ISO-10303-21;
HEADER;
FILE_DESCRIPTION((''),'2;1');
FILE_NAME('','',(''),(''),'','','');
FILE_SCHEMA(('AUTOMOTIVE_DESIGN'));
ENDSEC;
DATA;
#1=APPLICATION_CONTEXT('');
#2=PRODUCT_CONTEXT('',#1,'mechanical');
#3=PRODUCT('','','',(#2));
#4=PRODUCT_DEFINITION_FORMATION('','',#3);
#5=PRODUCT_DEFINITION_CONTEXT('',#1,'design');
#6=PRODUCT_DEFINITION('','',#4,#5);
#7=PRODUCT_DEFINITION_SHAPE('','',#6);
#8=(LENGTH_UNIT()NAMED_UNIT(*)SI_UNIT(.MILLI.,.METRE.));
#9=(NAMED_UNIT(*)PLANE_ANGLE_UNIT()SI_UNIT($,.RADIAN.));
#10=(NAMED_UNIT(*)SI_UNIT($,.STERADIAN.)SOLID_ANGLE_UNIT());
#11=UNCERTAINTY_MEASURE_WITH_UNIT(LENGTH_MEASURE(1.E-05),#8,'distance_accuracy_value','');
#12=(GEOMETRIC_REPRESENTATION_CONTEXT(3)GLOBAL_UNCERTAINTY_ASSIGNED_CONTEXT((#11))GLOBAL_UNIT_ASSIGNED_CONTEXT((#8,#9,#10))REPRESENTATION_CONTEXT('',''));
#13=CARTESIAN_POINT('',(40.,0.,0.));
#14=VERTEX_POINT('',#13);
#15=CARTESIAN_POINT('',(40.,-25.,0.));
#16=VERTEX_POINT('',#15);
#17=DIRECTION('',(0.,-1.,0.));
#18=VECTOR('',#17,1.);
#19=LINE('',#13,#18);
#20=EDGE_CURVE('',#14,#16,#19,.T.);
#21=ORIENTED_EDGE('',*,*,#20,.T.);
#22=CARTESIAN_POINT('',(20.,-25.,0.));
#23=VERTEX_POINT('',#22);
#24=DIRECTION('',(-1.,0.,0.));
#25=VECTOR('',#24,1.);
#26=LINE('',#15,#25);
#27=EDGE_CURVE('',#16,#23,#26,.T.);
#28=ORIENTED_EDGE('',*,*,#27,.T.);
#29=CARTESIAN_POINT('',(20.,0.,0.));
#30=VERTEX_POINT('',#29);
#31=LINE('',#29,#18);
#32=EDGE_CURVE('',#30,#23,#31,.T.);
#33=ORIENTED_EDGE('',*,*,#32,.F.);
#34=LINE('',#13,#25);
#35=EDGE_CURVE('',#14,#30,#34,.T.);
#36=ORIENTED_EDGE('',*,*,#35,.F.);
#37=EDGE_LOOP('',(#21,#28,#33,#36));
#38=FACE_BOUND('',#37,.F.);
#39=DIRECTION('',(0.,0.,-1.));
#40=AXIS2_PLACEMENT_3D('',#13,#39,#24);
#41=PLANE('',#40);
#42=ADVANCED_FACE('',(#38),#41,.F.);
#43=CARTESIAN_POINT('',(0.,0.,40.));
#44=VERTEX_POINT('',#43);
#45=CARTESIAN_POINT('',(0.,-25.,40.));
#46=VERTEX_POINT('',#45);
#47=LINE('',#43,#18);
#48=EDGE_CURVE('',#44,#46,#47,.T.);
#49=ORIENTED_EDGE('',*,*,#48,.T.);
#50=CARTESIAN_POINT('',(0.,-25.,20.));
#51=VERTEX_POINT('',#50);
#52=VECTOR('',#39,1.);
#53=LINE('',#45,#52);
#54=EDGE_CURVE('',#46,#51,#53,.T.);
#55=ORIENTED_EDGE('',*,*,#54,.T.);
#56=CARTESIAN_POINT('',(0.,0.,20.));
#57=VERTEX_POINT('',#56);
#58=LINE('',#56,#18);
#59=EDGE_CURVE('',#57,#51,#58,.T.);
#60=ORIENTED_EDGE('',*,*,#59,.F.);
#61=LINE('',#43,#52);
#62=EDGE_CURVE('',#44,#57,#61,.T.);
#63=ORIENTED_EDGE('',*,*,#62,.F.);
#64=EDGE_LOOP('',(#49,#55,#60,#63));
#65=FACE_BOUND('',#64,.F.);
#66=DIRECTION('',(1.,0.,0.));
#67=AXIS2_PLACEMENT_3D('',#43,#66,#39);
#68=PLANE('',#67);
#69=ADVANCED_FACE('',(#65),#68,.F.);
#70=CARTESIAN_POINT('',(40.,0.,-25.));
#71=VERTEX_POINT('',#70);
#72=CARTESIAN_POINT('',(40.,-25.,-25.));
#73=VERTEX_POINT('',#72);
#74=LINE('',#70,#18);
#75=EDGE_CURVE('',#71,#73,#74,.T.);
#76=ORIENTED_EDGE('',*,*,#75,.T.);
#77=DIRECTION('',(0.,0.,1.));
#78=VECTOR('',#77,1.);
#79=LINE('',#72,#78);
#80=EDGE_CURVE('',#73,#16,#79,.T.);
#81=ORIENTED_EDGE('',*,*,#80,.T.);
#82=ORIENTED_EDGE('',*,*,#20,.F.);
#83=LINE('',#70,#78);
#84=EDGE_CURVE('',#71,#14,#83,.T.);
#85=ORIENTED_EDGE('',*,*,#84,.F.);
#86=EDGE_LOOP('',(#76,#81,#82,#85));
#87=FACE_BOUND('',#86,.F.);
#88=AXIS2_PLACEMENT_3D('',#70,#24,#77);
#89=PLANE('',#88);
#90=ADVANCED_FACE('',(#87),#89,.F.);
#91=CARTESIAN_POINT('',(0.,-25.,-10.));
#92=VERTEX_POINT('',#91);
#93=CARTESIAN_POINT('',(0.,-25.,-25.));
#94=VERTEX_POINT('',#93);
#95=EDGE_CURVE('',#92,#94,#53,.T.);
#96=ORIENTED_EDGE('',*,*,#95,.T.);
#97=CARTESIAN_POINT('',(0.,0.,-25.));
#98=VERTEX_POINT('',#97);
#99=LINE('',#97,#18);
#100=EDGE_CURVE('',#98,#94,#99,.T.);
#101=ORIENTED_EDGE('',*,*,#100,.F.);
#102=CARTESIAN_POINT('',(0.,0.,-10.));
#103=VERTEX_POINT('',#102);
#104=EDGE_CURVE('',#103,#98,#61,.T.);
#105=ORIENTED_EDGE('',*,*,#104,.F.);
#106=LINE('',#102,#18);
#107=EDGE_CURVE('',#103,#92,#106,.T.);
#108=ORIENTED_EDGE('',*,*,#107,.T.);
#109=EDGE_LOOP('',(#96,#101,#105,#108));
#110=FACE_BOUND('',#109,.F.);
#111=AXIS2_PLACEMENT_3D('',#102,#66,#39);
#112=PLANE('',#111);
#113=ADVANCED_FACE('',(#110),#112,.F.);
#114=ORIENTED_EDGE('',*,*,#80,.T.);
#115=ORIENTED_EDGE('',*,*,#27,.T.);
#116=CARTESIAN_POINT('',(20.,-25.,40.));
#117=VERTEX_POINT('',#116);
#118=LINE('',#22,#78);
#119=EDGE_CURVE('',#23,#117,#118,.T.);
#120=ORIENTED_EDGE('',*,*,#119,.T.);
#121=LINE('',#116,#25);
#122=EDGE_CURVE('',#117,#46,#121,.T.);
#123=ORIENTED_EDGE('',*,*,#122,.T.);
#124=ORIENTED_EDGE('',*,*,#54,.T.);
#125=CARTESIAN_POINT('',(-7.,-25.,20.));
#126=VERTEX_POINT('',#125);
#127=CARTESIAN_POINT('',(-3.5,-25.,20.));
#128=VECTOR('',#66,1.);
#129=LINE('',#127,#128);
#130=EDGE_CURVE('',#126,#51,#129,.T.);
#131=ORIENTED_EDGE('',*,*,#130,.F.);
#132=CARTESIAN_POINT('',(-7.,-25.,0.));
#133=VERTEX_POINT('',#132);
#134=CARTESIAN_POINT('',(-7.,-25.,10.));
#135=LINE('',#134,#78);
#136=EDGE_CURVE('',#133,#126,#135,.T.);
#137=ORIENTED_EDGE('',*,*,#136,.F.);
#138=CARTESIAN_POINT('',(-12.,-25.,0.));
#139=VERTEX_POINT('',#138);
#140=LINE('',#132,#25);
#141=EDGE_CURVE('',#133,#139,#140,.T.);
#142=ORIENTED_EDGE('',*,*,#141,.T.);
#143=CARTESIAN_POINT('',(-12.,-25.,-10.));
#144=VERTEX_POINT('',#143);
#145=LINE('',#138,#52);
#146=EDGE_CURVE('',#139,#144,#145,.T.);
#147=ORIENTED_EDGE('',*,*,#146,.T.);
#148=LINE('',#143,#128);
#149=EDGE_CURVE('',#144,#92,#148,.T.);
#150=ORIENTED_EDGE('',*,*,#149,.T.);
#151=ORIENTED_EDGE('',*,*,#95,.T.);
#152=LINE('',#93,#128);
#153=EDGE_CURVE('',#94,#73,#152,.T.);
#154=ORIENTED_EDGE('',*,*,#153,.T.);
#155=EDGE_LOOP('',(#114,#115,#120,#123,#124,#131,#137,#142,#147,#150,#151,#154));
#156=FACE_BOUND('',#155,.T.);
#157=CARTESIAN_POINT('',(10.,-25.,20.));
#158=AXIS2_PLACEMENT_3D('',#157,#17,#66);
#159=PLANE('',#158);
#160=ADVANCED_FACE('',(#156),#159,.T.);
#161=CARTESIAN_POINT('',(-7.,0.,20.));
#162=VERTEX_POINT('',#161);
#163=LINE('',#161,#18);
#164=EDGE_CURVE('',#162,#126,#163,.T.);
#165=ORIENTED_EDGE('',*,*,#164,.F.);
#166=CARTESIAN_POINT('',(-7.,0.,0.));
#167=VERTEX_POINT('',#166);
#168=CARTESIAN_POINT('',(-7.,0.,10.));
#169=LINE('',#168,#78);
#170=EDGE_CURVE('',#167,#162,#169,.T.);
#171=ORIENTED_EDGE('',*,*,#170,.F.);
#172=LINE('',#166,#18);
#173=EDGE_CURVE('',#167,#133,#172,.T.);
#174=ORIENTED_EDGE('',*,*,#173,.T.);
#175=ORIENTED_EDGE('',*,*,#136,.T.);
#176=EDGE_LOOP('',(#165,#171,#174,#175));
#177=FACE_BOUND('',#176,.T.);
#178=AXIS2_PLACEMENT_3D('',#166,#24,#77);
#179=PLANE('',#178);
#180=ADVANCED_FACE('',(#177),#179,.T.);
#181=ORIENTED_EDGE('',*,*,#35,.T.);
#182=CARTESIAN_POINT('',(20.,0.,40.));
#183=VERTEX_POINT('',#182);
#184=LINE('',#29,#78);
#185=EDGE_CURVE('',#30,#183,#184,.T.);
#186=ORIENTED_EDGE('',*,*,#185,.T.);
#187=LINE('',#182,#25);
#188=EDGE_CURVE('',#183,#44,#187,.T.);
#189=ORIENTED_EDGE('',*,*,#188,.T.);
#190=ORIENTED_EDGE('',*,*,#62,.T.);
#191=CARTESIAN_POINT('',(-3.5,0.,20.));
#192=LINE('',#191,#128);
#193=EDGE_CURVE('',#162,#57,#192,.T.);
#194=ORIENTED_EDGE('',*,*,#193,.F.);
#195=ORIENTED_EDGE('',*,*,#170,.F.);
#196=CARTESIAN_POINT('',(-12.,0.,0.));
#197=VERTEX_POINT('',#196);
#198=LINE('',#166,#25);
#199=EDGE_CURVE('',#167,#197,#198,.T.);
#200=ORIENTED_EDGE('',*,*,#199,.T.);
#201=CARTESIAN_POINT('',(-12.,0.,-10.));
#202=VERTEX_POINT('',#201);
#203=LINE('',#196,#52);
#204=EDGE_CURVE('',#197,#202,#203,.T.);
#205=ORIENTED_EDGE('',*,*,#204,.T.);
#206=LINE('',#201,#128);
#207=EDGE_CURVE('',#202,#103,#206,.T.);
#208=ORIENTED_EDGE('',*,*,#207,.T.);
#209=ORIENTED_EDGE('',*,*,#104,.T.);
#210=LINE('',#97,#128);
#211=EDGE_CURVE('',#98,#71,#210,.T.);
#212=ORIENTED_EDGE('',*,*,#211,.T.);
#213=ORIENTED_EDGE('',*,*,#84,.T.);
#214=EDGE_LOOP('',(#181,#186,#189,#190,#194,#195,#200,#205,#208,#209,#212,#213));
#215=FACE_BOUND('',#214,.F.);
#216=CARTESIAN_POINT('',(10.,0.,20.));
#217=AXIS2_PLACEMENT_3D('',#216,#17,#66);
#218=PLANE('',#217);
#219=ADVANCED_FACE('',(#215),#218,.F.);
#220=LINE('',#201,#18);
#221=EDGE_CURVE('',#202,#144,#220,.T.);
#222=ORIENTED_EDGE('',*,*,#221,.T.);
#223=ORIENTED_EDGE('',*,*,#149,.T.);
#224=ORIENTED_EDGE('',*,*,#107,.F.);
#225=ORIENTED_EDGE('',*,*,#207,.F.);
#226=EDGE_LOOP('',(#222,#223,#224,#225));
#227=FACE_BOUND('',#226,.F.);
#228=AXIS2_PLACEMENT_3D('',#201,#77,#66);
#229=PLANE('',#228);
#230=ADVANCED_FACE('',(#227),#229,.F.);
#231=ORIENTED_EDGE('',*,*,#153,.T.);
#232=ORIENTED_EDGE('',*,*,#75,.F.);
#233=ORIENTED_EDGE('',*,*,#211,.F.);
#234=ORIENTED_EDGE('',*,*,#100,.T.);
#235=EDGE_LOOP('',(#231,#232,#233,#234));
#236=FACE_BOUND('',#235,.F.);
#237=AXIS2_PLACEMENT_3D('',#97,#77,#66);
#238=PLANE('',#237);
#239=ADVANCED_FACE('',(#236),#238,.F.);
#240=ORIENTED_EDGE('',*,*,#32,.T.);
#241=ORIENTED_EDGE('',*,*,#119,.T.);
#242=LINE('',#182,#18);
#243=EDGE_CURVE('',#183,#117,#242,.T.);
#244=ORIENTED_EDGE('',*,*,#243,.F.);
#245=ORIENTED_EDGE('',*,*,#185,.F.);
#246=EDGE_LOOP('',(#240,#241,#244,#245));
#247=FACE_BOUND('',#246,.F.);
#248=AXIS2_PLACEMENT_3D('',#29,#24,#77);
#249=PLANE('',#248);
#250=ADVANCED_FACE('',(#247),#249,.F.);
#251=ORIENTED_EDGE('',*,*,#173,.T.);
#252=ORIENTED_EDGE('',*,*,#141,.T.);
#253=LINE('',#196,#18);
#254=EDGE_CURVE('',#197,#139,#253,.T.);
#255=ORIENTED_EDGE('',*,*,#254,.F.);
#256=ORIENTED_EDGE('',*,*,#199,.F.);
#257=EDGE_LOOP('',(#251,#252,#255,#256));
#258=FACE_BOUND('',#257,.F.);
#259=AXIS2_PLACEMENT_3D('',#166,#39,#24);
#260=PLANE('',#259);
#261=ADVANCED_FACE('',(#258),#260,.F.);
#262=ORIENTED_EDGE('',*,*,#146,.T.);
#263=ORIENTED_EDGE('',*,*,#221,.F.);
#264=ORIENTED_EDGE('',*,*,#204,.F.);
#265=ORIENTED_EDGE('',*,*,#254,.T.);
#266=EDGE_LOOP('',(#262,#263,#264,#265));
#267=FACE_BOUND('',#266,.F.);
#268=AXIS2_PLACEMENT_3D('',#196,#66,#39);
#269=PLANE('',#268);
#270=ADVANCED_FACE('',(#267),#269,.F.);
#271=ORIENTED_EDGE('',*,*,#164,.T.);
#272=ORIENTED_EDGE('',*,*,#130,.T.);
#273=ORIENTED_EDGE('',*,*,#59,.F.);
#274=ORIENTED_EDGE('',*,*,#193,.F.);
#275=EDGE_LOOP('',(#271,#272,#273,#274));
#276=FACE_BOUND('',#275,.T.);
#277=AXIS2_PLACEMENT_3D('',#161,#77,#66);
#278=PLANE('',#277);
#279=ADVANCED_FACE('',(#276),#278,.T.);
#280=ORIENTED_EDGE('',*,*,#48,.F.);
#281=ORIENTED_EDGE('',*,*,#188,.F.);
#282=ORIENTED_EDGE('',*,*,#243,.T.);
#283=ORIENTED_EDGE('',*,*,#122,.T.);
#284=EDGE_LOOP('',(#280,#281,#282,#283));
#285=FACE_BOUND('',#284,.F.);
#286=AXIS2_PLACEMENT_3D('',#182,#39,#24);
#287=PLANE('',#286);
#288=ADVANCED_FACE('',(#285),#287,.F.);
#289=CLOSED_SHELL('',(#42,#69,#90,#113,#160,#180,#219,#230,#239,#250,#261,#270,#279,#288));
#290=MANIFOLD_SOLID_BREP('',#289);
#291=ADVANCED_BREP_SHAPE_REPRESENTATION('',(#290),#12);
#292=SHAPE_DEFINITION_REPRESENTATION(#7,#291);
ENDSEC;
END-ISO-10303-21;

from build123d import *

# Parameters (mm, degrees)
F0_W     = 7
F0_H     = 20
F1_DEPTH = 25


with BuildPart() as f1:
    # F0 (on Front) → F1 (new body)
    with BuildSketch(Plane.XZ):
        Polygon((0, 20), (0, 0), (20, 0), (20, 40), (0, 40), align=None)
        Polygon((20, 0), (0, 0), (0, -10), (0, -25), (40, -25), (40, 0), align=None)
        with Locations((-3.5, 10)):
            Rectangle(F0_W, F0_H)
        Polygon((0, -10), (0, 0), (-7, 0), (-12, 0), (-12, -10), align=None)
    extrude(amount=F1_DEPTH)


solid = f1.part
